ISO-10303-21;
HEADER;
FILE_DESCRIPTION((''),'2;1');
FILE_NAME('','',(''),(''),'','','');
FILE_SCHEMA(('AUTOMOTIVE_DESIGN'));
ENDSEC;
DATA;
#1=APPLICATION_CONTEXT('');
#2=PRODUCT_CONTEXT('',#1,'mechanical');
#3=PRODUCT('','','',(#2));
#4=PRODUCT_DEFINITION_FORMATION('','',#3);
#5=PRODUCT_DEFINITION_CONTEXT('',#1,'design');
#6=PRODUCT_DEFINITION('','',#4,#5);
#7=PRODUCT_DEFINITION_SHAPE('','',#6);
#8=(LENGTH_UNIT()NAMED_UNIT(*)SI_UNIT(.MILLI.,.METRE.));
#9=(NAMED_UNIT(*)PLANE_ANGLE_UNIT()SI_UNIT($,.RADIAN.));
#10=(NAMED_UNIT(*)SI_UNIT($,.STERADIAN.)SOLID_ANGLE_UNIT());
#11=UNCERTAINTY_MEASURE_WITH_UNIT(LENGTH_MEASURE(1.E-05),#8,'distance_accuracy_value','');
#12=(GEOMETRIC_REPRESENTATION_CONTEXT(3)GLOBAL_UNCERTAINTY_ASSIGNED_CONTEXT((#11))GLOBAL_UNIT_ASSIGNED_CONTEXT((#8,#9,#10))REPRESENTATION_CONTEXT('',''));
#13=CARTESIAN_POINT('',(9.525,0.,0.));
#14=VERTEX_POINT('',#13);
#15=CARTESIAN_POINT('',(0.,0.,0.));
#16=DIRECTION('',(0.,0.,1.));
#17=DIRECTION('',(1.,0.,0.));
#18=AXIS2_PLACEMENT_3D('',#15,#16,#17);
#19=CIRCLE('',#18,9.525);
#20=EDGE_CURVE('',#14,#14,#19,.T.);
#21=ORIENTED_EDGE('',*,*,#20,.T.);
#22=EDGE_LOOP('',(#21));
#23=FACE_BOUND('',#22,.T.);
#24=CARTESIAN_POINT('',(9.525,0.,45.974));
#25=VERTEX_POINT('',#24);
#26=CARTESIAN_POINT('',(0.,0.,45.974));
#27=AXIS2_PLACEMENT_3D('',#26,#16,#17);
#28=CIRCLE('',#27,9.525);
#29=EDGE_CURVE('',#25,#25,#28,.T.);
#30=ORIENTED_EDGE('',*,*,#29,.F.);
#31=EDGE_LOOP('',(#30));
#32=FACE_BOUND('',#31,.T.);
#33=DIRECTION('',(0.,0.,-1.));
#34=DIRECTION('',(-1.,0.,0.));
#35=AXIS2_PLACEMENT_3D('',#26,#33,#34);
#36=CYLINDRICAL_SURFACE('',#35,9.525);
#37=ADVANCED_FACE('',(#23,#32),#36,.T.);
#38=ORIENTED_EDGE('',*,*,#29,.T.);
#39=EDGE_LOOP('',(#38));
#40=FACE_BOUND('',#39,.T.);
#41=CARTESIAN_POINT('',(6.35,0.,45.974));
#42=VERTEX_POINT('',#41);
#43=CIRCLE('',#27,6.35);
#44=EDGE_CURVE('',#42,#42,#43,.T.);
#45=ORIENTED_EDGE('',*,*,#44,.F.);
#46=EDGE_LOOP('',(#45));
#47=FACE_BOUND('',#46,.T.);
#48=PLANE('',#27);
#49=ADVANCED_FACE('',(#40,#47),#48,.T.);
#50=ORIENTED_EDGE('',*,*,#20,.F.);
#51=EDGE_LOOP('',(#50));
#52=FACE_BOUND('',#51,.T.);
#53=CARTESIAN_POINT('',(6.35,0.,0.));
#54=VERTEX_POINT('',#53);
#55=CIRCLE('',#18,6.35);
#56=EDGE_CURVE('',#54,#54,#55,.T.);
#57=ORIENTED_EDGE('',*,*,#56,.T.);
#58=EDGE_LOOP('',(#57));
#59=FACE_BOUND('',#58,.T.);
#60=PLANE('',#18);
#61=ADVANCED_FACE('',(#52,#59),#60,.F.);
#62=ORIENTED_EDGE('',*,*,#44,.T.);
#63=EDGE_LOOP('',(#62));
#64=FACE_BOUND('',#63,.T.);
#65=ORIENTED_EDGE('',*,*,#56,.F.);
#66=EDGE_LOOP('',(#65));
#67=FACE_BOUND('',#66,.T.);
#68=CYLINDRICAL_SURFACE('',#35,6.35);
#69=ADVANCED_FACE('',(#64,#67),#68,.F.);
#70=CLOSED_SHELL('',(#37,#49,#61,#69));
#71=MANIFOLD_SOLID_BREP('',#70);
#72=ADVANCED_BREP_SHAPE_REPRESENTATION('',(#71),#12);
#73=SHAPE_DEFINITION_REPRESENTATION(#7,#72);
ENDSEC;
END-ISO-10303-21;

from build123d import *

# Parameters (mm, degrees)
SKETCH1_R           = 9.525
SKETCH1_R_2         = 6.35
BOSS_EXTRUDE1_DEPTH = 45.974


with BuildPart() as part:
    # Sketch1 → Boss-Extrude1 (new body)
    with BuildSketch(Plane.XY):
        Circle(SKETCH1_R)
        Circle(SKETCH1_R_2, mode=Mode.SUBTRACT)
    extrude(amount=BOSS_EXTRUDE1_DEPTH)


solid = part.part
